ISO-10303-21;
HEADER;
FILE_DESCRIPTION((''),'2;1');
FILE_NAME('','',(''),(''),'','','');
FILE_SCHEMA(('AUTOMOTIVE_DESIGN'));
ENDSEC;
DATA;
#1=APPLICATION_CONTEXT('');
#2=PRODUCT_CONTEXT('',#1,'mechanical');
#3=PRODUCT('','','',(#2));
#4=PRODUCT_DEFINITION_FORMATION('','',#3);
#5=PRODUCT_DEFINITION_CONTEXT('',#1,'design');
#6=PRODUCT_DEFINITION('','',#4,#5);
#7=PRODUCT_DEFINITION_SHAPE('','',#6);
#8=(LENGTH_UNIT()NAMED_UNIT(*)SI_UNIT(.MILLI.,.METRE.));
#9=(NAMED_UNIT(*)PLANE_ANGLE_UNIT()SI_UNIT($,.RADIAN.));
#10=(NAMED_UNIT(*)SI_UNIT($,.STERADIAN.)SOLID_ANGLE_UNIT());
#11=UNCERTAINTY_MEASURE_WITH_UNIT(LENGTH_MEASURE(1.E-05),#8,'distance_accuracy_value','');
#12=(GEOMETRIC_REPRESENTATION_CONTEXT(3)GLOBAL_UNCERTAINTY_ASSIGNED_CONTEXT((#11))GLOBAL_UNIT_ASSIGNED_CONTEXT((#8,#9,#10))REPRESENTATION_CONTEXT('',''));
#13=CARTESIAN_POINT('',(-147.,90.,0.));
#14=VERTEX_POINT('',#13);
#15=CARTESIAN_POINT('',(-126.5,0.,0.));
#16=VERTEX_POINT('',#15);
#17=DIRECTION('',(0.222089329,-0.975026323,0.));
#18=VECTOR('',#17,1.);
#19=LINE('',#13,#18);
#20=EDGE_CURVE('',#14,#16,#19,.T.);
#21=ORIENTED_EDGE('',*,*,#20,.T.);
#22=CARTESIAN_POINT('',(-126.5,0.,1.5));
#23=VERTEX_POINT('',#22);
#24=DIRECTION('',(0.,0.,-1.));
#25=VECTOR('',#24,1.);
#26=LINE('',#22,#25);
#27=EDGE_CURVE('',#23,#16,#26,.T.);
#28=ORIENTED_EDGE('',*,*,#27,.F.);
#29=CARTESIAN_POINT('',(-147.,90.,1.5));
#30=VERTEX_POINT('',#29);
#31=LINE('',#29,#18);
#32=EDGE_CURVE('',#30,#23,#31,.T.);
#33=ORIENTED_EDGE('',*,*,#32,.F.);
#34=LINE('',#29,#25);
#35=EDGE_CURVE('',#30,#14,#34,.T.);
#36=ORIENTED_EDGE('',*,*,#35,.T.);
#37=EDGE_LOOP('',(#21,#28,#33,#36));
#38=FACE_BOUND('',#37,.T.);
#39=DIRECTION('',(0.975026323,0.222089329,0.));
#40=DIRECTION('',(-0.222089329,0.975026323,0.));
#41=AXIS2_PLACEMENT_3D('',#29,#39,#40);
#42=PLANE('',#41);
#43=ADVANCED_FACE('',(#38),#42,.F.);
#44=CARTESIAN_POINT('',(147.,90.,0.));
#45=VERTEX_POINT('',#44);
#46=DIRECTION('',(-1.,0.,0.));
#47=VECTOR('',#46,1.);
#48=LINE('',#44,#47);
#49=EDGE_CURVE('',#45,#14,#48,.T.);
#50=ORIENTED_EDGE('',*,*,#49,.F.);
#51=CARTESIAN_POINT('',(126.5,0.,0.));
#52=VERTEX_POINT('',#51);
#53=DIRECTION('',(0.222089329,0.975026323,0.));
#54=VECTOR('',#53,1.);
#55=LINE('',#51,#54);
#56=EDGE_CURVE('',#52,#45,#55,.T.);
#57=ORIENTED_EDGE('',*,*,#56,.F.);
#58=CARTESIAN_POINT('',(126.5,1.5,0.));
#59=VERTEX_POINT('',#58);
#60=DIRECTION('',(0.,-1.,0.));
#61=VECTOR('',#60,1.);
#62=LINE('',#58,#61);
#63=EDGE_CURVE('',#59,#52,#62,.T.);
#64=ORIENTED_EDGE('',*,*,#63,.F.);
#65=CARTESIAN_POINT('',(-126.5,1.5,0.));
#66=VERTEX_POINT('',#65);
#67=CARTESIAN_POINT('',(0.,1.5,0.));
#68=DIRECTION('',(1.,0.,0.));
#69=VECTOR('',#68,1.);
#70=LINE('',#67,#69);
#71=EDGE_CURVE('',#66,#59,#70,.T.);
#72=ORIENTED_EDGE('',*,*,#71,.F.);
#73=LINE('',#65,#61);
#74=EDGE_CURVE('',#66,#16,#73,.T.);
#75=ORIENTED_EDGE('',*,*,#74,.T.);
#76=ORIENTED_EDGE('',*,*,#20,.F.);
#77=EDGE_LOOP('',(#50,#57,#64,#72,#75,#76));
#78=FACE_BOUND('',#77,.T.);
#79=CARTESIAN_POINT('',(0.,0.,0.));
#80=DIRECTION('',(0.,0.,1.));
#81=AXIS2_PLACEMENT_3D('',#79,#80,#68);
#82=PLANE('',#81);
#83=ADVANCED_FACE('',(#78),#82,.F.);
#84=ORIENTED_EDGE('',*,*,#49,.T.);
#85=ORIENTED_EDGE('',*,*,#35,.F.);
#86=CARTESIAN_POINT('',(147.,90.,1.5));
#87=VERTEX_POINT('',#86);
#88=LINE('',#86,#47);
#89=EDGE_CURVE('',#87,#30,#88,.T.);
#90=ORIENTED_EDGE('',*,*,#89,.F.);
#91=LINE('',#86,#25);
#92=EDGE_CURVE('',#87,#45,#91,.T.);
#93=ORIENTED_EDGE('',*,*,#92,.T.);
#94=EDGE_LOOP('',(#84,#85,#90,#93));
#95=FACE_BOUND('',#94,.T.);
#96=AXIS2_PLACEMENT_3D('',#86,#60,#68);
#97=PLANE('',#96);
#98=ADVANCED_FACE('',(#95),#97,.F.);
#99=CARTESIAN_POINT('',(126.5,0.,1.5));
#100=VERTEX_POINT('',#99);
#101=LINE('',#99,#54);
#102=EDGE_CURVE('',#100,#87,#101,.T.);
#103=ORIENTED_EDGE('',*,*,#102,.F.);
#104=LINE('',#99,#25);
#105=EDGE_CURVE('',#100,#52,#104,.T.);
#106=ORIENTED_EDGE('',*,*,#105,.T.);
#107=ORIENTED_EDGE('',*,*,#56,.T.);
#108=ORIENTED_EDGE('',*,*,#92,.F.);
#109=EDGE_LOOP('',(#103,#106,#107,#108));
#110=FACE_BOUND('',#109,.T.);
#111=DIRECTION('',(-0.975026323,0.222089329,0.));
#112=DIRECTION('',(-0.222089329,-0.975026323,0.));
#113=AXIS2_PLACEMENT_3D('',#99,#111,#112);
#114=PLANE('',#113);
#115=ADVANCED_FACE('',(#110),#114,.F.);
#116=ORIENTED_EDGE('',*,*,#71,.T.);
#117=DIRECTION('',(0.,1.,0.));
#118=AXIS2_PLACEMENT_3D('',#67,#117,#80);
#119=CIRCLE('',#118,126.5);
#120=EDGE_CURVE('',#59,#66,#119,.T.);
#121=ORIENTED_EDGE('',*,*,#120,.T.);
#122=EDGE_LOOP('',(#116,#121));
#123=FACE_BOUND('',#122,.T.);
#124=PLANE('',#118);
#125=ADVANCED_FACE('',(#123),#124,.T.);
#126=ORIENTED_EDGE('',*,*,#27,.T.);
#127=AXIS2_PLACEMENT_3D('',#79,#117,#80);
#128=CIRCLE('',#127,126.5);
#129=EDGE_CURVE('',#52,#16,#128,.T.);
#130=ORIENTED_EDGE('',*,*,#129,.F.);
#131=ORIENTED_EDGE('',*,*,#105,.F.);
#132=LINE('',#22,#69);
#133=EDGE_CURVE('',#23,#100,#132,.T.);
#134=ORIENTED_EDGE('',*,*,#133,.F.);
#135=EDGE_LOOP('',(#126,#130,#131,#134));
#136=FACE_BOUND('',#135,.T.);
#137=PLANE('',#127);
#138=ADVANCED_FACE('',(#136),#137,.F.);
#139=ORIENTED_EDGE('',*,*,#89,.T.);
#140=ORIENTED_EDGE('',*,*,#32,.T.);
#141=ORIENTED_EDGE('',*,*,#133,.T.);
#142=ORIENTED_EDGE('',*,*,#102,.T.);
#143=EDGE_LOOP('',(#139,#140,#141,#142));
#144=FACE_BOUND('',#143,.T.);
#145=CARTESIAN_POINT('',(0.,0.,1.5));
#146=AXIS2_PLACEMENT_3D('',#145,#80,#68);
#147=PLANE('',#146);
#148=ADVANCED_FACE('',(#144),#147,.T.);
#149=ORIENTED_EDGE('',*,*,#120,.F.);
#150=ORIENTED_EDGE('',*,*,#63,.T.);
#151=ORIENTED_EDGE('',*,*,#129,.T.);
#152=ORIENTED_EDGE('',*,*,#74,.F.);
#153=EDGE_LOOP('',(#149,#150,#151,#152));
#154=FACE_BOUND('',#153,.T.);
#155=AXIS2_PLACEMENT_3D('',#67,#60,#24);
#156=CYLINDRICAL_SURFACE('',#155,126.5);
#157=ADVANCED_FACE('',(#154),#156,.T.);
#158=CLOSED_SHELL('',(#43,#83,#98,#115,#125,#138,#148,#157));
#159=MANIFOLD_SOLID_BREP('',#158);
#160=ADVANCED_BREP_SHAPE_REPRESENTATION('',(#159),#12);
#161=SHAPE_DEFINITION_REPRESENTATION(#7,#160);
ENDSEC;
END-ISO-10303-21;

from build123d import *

# Parameters (mm, degrees)
AUFSATZ_LINEAR_AUSTRAGEN2_DEPTH = 1.5
AUFSATZ_LINEAR_AUSTRAGEN3_DEPTH = 1.5


with BuildPart() as part:
    # Skizze1 → Aufsatz-Linear austragen2 (new body)
    with BuildSketch(Plane(origin=(0, 0, 0), x_dir=(1, 0, 0), z_dir=(0, 1, 0))):
        with BuildLine():
            Line((-126.5, 0), (126.5, 0))
            ThreePointArc((126.5, 0), (0, 126.5), (-126.5, 0))
        make_face()
    extrude(amount=AUFSATZ_LINEAR_AUSTRAGEN2_DEPTH)

    # Skizze2 → Aufsatz-Linear austragen3 (add)
    with BuildSketch(Plane.XY):
        Polygon((126.5, 0), (147, 90), (-147, 90), (-126.5, 0), align=None)
    extrude(amount=AUFSATZ_LINEAR_AUSTRAGEN3_DEPTH)


solid = part.part
